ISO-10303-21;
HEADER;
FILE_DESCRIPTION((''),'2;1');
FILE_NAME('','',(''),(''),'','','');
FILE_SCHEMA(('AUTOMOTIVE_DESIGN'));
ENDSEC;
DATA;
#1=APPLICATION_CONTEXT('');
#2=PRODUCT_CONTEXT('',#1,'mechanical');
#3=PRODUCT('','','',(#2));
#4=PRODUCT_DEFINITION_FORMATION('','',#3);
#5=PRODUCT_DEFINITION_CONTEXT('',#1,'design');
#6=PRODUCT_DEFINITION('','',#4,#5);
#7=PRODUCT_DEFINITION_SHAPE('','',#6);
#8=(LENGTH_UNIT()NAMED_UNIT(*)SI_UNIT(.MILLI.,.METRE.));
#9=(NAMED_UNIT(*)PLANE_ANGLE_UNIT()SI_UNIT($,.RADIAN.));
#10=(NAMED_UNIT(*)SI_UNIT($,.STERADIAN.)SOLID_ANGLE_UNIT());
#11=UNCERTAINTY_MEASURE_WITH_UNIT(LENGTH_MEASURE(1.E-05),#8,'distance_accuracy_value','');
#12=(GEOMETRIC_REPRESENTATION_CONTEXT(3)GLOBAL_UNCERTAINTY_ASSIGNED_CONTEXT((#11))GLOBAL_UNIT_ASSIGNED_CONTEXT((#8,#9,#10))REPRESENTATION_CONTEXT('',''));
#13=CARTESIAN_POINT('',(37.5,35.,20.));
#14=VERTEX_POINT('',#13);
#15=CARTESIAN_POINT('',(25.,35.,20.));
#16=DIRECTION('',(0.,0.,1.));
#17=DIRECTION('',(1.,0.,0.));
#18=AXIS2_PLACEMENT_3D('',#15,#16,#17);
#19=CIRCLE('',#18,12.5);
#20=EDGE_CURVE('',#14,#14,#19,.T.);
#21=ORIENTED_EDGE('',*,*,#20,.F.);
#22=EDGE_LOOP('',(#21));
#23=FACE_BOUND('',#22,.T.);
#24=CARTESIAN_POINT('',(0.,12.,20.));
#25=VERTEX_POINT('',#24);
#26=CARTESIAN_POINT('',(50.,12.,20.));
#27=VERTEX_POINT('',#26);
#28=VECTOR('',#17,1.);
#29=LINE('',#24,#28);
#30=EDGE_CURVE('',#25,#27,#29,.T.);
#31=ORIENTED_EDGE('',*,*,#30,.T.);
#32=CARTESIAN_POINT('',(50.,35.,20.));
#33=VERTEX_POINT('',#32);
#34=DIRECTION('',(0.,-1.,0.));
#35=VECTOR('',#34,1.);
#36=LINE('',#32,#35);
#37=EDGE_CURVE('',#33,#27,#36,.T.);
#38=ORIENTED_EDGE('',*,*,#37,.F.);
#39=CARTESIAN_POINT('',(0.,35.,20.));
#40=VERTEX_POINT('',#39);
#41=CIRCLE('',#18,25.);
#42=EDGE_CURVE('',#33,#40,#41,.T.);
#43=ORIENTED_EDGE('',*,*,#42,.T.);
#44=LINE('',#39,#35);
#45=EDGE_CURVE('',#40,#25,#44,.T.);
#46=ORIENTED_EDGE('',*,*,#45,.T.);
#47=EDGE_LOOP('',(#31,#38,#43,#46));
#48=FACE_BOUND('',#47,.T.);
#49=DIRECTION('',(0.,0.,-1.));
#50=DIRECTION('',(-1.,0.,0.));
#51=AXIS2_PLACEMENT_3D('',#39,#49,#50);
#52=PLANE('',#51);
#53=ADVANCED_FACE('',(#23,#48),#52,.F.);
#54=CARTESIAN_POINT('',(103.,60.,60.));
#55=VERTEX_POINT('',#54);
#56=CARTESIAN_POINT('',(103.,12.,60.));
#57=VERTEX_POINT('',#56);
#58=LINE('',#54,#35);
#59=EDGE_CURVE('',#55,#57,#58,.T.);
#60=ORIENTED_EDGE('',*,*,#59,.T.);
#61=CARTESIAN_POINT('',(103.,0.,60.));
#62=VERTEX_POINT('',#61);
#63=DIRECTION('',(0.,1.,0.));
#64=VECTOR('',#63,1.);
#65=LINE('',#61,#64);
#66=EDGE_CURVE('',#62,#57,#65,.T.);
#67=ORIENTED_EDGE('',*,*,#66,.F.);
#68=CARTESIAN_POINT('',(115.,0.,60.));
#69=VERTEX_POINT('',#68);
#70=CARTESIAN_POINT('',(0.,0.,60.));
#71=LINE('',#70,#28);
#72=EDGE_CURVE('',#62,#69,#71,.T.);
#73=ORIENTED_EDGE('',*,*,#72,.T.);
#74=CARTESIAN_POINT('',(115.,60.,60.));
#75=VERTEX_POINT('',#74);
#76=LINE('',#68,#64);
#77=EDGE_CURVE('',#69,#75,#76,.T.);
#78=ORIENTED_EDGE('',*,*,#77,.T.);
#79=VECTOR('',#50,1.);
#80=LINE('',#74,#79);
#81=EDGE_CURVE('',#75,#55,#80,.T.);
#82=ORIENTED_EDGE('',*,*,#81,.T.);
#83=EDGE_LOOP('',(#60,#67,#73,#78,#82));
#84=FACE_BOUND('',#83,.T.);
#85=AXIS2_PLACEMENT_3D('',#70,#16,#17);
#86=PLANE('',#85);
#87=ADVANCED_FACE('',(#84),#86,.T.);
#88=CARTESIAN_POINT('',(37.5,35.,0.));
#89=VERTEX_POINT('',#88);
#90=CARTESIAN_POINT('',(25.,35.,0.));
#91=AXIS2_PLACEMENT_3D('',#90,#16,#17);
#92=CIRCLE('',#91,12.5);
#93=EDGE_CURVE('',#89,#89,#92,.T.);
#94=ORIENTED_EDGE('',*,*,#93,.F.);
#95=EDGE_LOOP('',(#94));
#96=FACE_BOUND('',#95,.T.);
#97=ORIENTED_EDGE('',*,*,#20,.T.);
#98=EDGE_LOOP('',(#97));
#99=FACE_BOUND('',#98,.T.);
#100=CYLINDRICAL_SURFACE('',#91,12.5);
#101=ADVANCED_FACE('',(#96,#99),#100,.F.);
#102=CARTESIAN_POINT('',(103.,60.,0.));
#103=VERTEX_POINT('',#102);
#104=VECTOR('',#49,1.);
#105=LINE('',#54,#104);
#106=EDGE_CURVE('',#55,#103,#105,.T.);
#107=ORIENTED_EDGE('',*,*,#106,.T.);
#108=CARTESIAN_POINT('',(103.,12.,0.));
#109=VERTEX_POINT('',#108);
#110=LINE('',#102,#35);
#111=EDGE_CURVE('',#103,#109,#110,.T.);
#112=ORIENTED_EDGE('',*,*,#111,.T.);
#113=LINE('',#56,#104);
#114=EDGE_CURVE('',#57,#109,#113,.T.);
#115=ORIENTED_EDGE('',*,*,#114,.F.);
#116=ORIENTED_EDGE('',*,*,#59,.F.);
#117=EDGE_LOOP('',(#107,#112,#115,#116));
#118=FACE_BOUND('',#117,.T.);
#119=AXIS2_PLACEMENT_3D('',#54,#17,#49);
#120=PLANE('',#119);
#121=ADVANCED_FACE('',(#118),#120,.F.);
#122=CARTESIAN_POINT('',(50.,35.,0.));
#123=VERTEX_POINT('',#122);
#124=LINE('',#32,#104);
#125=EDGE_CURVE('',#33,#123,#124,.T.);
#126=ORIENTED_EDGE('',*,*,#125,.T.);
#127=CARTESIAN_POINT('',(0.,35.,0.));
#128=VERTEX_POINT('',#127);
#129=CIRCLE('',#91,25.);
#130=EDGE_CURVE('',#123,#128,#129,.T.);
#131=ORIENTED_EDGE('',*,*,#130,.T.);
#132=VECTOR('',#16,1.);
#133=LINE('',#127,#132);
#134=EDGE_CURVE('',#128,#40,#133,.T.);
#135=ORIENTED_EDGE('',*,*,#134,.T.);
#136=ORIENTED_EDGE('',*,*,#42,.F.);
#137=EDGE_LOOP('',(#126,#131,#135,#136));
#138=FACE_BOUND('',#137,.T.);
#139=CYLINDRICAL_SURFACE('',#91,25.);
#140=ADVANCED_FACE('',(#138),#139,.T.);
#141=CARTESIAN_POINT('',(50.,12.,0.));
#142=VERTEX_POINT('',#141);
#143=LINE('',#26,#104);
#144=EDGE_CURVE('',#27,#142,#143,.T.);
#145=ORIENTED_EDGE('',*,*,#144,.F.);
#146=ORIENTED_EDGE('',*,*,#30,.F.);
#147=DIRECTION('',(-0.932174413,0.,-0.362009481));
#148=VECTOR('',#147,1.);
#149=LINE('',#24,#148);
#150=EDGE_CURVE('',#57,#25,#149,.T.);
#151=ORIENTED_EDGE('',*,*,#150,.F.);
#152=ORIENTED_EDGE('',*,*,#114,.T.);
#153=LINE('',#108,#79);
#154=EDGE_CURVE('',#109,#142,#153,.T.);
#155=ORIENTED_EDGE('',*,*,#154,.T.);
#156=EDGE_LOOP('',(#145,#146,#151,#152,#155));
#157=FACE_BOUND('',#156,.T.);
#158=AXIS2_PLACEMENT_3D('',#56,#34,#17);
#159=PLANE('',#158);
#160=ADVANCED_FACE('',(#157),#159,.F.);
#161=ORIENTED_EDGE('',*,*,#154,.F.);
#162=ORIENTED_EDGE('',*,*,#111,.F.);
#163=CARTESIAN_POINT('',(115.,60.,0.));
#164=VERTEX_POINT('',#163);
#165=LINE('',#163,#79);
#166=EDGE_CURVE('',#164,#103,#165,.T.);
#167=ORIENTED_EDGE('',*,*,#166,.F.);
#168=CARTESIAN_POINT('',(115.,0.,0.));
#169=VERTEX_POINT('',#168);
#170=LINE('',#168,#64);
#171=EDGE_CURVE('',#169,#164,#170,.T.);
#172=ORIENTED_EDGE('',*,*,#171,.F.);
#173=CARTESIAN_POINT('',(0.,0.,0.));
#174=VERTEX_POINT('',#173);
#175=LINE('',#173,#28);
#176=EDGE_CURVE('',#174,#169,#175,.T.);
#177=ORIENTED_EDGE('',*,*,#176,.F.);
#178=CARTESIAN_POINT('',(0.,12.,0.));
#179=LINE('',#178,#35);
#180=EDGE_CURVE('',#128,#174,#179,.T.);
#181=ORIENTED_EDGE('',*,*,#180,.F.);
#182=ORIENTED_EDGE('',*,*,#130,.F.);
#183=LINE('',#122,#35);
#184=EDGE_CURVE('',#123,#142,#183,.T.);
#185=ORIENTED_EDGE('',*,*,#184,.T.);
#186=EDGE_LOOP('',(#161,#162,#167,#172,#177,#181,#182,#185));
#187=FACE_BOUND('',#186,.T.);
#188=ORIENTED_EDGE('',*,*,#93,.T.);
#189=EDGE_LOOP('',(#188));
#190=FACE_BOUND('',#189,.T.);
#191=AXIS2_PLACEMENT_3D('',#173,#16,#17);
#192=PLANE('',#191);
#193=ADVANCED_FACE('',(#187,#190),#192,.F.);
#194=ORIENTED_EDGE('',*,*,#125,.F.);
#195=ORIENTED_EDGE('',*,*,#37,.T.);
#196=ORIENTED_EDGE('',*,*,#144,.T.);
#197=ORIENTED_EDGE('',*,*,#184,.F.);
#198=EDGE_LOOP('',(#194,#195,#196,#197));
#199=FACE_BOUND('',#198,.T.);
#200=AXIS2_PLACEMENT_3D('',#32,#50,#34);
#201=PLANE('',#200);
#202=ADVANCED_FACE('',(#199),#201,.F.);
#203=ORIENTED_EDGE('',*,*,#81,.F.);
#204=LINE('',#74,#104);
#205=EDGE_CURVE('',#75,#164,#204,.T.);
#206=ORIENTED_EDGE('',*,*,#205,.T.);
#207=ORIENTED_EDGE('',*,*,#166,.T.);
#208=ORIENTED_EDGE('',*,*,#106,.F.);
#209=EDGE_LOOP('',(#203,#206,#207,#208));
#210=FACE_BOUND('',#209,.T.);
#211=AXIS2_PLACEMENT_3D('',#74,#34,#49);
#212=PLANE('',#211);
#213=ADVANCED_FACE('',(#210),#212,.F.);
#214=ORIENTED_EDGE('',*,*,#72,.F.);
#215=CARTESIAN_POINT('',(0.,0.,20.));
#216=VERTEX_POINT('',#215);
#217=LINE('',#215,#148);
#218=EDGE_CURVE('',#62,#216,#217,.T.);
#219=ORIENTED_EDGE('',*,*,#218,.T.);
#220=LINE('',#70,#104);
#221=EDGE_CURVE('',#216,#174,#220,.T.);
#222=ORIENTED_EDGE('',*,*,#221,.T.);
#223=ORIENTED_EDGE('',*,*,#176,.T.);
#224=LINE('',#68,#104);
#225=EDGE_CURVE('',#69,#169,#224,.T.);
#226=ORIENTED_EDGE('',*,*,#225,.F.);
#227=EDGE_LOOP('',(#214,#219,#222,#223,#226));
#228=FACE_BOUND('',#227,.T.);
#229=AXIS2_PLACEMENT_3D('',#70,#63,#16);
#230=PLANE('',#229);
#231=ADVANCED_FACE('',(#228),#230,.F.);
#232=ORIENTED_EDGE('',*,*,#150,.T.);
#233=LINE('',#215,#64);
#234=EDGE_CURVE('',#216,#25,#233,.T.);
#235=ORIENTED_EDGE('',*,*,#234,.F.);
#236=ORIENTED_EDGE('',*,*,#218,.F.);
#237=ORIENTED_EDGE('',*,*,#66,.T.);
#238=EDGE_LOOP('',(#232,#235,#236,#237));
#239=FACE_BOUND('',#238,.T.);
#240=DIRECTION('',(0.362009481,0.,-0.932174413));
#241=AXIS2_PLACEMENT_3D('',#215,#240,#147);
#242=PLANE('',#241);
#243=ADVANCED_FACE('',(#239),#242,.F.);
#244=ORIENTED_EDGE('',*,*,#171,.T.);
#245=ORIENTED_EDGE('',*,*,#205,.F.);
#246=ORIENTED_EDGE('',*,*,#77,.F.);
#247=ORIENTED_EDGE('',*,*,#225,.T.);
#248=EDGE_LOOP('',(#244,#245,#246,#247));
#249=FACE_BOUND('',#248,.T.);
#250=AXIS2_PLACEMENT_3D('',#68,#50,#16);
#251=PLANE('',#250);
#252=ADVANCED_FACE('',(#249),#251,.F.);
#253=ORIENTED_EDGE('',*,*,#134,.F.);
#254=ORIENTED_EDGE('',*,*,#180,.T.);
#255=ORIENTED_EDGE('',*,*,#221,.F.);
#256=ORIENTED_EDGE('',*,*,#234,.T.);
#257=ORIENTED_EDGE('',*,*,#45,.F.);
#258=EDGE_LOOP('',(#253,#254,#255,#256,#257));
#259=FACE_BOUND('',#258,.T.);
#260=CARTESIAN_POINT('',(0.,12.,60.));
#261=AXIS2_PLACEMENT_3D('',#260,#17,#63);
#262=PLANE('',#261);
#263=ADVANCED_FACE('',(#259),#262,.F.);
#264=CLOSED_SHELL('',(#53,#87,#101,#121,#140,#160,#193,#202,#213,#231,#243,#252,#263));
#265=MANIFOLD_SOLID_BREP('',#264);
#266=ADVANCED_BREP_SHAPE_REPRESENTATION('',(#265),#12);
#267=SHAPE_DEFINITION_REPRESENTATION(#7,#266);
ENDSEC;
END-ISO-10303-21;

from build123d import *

# Parameters (mm, degrees)
BOSS_EXTRUDE1_DEPTH = 60
CUT_EXTRUDE1_DEPTH  = 12
SKETCH4_W           = 50
SKETCH4_H           = 20
BOSS_EXTRUDE3_DEPTH = 23
BOSS_EXTRUDE4_DEPTH = 20
SKETCH6_R           = 12.5
CUT_EXTRUDE3_DEPTH  = 20


with BuildPart() as part:
    # Sketch1 → Boss-Extrude1 (new body)
    with BuildSketch(Plane.XY):
        Polygon((0, 0), (115, 0), (115, 60), (103, 60), (103, 12), (0, 12), align=None)
    extrude(amount=BOSS_EXTRUDE1_DEPTH)

    # Sketch2 → Cut-Extrude1 (cut)
    with BuildSketch(Plane(origin=(0, 12, 0), x_dir=(1, 0, 0), z_dir=(0, 1, 0))):
        Polygon((0, -20), (103, -60), (0, -60), align=None)
    extrude(amount=-CUT_EXTRUDE1_DEPTH, mode=Mode.SUBTRACT)

    # Sketch4 → Boss-Extrude3 (add)
    with BuildSketch(Plane(origin=(0, 12, 0), x_dir=(1, 0, 0), z_dir=(0, 1, 0))):
        with Locations((25, -10)):
            Rectangle(SKETCH4_W, SKETCH4_H)
    extrude(amount=BOSS_EXTRUDE3_DEPTH)

    # Sketch5 → Boss-Extrude4 (add)
    with BuildSketch(Plane.XY.offset(20)):
        with BuildLine():
            Line((0, 35), (50, 35))
            ThreePointArc((50, 35), (25, 60), (0, 35))
        make_face()
    extrude(amount=-BOSS_EXTRUDE4_DEPTH)

    # Sketch6 → Cut-Extrude3 (cut)
    with BuildSketch(Plane.XY.offset(20)):
        with Locations((25, 35)):
            Circle(SKETCH6_R)
    extrude(amount=-CUT_EXTRUDE3_DEPTH, mode=Mode.SUBTRACT)


solid = part.part
